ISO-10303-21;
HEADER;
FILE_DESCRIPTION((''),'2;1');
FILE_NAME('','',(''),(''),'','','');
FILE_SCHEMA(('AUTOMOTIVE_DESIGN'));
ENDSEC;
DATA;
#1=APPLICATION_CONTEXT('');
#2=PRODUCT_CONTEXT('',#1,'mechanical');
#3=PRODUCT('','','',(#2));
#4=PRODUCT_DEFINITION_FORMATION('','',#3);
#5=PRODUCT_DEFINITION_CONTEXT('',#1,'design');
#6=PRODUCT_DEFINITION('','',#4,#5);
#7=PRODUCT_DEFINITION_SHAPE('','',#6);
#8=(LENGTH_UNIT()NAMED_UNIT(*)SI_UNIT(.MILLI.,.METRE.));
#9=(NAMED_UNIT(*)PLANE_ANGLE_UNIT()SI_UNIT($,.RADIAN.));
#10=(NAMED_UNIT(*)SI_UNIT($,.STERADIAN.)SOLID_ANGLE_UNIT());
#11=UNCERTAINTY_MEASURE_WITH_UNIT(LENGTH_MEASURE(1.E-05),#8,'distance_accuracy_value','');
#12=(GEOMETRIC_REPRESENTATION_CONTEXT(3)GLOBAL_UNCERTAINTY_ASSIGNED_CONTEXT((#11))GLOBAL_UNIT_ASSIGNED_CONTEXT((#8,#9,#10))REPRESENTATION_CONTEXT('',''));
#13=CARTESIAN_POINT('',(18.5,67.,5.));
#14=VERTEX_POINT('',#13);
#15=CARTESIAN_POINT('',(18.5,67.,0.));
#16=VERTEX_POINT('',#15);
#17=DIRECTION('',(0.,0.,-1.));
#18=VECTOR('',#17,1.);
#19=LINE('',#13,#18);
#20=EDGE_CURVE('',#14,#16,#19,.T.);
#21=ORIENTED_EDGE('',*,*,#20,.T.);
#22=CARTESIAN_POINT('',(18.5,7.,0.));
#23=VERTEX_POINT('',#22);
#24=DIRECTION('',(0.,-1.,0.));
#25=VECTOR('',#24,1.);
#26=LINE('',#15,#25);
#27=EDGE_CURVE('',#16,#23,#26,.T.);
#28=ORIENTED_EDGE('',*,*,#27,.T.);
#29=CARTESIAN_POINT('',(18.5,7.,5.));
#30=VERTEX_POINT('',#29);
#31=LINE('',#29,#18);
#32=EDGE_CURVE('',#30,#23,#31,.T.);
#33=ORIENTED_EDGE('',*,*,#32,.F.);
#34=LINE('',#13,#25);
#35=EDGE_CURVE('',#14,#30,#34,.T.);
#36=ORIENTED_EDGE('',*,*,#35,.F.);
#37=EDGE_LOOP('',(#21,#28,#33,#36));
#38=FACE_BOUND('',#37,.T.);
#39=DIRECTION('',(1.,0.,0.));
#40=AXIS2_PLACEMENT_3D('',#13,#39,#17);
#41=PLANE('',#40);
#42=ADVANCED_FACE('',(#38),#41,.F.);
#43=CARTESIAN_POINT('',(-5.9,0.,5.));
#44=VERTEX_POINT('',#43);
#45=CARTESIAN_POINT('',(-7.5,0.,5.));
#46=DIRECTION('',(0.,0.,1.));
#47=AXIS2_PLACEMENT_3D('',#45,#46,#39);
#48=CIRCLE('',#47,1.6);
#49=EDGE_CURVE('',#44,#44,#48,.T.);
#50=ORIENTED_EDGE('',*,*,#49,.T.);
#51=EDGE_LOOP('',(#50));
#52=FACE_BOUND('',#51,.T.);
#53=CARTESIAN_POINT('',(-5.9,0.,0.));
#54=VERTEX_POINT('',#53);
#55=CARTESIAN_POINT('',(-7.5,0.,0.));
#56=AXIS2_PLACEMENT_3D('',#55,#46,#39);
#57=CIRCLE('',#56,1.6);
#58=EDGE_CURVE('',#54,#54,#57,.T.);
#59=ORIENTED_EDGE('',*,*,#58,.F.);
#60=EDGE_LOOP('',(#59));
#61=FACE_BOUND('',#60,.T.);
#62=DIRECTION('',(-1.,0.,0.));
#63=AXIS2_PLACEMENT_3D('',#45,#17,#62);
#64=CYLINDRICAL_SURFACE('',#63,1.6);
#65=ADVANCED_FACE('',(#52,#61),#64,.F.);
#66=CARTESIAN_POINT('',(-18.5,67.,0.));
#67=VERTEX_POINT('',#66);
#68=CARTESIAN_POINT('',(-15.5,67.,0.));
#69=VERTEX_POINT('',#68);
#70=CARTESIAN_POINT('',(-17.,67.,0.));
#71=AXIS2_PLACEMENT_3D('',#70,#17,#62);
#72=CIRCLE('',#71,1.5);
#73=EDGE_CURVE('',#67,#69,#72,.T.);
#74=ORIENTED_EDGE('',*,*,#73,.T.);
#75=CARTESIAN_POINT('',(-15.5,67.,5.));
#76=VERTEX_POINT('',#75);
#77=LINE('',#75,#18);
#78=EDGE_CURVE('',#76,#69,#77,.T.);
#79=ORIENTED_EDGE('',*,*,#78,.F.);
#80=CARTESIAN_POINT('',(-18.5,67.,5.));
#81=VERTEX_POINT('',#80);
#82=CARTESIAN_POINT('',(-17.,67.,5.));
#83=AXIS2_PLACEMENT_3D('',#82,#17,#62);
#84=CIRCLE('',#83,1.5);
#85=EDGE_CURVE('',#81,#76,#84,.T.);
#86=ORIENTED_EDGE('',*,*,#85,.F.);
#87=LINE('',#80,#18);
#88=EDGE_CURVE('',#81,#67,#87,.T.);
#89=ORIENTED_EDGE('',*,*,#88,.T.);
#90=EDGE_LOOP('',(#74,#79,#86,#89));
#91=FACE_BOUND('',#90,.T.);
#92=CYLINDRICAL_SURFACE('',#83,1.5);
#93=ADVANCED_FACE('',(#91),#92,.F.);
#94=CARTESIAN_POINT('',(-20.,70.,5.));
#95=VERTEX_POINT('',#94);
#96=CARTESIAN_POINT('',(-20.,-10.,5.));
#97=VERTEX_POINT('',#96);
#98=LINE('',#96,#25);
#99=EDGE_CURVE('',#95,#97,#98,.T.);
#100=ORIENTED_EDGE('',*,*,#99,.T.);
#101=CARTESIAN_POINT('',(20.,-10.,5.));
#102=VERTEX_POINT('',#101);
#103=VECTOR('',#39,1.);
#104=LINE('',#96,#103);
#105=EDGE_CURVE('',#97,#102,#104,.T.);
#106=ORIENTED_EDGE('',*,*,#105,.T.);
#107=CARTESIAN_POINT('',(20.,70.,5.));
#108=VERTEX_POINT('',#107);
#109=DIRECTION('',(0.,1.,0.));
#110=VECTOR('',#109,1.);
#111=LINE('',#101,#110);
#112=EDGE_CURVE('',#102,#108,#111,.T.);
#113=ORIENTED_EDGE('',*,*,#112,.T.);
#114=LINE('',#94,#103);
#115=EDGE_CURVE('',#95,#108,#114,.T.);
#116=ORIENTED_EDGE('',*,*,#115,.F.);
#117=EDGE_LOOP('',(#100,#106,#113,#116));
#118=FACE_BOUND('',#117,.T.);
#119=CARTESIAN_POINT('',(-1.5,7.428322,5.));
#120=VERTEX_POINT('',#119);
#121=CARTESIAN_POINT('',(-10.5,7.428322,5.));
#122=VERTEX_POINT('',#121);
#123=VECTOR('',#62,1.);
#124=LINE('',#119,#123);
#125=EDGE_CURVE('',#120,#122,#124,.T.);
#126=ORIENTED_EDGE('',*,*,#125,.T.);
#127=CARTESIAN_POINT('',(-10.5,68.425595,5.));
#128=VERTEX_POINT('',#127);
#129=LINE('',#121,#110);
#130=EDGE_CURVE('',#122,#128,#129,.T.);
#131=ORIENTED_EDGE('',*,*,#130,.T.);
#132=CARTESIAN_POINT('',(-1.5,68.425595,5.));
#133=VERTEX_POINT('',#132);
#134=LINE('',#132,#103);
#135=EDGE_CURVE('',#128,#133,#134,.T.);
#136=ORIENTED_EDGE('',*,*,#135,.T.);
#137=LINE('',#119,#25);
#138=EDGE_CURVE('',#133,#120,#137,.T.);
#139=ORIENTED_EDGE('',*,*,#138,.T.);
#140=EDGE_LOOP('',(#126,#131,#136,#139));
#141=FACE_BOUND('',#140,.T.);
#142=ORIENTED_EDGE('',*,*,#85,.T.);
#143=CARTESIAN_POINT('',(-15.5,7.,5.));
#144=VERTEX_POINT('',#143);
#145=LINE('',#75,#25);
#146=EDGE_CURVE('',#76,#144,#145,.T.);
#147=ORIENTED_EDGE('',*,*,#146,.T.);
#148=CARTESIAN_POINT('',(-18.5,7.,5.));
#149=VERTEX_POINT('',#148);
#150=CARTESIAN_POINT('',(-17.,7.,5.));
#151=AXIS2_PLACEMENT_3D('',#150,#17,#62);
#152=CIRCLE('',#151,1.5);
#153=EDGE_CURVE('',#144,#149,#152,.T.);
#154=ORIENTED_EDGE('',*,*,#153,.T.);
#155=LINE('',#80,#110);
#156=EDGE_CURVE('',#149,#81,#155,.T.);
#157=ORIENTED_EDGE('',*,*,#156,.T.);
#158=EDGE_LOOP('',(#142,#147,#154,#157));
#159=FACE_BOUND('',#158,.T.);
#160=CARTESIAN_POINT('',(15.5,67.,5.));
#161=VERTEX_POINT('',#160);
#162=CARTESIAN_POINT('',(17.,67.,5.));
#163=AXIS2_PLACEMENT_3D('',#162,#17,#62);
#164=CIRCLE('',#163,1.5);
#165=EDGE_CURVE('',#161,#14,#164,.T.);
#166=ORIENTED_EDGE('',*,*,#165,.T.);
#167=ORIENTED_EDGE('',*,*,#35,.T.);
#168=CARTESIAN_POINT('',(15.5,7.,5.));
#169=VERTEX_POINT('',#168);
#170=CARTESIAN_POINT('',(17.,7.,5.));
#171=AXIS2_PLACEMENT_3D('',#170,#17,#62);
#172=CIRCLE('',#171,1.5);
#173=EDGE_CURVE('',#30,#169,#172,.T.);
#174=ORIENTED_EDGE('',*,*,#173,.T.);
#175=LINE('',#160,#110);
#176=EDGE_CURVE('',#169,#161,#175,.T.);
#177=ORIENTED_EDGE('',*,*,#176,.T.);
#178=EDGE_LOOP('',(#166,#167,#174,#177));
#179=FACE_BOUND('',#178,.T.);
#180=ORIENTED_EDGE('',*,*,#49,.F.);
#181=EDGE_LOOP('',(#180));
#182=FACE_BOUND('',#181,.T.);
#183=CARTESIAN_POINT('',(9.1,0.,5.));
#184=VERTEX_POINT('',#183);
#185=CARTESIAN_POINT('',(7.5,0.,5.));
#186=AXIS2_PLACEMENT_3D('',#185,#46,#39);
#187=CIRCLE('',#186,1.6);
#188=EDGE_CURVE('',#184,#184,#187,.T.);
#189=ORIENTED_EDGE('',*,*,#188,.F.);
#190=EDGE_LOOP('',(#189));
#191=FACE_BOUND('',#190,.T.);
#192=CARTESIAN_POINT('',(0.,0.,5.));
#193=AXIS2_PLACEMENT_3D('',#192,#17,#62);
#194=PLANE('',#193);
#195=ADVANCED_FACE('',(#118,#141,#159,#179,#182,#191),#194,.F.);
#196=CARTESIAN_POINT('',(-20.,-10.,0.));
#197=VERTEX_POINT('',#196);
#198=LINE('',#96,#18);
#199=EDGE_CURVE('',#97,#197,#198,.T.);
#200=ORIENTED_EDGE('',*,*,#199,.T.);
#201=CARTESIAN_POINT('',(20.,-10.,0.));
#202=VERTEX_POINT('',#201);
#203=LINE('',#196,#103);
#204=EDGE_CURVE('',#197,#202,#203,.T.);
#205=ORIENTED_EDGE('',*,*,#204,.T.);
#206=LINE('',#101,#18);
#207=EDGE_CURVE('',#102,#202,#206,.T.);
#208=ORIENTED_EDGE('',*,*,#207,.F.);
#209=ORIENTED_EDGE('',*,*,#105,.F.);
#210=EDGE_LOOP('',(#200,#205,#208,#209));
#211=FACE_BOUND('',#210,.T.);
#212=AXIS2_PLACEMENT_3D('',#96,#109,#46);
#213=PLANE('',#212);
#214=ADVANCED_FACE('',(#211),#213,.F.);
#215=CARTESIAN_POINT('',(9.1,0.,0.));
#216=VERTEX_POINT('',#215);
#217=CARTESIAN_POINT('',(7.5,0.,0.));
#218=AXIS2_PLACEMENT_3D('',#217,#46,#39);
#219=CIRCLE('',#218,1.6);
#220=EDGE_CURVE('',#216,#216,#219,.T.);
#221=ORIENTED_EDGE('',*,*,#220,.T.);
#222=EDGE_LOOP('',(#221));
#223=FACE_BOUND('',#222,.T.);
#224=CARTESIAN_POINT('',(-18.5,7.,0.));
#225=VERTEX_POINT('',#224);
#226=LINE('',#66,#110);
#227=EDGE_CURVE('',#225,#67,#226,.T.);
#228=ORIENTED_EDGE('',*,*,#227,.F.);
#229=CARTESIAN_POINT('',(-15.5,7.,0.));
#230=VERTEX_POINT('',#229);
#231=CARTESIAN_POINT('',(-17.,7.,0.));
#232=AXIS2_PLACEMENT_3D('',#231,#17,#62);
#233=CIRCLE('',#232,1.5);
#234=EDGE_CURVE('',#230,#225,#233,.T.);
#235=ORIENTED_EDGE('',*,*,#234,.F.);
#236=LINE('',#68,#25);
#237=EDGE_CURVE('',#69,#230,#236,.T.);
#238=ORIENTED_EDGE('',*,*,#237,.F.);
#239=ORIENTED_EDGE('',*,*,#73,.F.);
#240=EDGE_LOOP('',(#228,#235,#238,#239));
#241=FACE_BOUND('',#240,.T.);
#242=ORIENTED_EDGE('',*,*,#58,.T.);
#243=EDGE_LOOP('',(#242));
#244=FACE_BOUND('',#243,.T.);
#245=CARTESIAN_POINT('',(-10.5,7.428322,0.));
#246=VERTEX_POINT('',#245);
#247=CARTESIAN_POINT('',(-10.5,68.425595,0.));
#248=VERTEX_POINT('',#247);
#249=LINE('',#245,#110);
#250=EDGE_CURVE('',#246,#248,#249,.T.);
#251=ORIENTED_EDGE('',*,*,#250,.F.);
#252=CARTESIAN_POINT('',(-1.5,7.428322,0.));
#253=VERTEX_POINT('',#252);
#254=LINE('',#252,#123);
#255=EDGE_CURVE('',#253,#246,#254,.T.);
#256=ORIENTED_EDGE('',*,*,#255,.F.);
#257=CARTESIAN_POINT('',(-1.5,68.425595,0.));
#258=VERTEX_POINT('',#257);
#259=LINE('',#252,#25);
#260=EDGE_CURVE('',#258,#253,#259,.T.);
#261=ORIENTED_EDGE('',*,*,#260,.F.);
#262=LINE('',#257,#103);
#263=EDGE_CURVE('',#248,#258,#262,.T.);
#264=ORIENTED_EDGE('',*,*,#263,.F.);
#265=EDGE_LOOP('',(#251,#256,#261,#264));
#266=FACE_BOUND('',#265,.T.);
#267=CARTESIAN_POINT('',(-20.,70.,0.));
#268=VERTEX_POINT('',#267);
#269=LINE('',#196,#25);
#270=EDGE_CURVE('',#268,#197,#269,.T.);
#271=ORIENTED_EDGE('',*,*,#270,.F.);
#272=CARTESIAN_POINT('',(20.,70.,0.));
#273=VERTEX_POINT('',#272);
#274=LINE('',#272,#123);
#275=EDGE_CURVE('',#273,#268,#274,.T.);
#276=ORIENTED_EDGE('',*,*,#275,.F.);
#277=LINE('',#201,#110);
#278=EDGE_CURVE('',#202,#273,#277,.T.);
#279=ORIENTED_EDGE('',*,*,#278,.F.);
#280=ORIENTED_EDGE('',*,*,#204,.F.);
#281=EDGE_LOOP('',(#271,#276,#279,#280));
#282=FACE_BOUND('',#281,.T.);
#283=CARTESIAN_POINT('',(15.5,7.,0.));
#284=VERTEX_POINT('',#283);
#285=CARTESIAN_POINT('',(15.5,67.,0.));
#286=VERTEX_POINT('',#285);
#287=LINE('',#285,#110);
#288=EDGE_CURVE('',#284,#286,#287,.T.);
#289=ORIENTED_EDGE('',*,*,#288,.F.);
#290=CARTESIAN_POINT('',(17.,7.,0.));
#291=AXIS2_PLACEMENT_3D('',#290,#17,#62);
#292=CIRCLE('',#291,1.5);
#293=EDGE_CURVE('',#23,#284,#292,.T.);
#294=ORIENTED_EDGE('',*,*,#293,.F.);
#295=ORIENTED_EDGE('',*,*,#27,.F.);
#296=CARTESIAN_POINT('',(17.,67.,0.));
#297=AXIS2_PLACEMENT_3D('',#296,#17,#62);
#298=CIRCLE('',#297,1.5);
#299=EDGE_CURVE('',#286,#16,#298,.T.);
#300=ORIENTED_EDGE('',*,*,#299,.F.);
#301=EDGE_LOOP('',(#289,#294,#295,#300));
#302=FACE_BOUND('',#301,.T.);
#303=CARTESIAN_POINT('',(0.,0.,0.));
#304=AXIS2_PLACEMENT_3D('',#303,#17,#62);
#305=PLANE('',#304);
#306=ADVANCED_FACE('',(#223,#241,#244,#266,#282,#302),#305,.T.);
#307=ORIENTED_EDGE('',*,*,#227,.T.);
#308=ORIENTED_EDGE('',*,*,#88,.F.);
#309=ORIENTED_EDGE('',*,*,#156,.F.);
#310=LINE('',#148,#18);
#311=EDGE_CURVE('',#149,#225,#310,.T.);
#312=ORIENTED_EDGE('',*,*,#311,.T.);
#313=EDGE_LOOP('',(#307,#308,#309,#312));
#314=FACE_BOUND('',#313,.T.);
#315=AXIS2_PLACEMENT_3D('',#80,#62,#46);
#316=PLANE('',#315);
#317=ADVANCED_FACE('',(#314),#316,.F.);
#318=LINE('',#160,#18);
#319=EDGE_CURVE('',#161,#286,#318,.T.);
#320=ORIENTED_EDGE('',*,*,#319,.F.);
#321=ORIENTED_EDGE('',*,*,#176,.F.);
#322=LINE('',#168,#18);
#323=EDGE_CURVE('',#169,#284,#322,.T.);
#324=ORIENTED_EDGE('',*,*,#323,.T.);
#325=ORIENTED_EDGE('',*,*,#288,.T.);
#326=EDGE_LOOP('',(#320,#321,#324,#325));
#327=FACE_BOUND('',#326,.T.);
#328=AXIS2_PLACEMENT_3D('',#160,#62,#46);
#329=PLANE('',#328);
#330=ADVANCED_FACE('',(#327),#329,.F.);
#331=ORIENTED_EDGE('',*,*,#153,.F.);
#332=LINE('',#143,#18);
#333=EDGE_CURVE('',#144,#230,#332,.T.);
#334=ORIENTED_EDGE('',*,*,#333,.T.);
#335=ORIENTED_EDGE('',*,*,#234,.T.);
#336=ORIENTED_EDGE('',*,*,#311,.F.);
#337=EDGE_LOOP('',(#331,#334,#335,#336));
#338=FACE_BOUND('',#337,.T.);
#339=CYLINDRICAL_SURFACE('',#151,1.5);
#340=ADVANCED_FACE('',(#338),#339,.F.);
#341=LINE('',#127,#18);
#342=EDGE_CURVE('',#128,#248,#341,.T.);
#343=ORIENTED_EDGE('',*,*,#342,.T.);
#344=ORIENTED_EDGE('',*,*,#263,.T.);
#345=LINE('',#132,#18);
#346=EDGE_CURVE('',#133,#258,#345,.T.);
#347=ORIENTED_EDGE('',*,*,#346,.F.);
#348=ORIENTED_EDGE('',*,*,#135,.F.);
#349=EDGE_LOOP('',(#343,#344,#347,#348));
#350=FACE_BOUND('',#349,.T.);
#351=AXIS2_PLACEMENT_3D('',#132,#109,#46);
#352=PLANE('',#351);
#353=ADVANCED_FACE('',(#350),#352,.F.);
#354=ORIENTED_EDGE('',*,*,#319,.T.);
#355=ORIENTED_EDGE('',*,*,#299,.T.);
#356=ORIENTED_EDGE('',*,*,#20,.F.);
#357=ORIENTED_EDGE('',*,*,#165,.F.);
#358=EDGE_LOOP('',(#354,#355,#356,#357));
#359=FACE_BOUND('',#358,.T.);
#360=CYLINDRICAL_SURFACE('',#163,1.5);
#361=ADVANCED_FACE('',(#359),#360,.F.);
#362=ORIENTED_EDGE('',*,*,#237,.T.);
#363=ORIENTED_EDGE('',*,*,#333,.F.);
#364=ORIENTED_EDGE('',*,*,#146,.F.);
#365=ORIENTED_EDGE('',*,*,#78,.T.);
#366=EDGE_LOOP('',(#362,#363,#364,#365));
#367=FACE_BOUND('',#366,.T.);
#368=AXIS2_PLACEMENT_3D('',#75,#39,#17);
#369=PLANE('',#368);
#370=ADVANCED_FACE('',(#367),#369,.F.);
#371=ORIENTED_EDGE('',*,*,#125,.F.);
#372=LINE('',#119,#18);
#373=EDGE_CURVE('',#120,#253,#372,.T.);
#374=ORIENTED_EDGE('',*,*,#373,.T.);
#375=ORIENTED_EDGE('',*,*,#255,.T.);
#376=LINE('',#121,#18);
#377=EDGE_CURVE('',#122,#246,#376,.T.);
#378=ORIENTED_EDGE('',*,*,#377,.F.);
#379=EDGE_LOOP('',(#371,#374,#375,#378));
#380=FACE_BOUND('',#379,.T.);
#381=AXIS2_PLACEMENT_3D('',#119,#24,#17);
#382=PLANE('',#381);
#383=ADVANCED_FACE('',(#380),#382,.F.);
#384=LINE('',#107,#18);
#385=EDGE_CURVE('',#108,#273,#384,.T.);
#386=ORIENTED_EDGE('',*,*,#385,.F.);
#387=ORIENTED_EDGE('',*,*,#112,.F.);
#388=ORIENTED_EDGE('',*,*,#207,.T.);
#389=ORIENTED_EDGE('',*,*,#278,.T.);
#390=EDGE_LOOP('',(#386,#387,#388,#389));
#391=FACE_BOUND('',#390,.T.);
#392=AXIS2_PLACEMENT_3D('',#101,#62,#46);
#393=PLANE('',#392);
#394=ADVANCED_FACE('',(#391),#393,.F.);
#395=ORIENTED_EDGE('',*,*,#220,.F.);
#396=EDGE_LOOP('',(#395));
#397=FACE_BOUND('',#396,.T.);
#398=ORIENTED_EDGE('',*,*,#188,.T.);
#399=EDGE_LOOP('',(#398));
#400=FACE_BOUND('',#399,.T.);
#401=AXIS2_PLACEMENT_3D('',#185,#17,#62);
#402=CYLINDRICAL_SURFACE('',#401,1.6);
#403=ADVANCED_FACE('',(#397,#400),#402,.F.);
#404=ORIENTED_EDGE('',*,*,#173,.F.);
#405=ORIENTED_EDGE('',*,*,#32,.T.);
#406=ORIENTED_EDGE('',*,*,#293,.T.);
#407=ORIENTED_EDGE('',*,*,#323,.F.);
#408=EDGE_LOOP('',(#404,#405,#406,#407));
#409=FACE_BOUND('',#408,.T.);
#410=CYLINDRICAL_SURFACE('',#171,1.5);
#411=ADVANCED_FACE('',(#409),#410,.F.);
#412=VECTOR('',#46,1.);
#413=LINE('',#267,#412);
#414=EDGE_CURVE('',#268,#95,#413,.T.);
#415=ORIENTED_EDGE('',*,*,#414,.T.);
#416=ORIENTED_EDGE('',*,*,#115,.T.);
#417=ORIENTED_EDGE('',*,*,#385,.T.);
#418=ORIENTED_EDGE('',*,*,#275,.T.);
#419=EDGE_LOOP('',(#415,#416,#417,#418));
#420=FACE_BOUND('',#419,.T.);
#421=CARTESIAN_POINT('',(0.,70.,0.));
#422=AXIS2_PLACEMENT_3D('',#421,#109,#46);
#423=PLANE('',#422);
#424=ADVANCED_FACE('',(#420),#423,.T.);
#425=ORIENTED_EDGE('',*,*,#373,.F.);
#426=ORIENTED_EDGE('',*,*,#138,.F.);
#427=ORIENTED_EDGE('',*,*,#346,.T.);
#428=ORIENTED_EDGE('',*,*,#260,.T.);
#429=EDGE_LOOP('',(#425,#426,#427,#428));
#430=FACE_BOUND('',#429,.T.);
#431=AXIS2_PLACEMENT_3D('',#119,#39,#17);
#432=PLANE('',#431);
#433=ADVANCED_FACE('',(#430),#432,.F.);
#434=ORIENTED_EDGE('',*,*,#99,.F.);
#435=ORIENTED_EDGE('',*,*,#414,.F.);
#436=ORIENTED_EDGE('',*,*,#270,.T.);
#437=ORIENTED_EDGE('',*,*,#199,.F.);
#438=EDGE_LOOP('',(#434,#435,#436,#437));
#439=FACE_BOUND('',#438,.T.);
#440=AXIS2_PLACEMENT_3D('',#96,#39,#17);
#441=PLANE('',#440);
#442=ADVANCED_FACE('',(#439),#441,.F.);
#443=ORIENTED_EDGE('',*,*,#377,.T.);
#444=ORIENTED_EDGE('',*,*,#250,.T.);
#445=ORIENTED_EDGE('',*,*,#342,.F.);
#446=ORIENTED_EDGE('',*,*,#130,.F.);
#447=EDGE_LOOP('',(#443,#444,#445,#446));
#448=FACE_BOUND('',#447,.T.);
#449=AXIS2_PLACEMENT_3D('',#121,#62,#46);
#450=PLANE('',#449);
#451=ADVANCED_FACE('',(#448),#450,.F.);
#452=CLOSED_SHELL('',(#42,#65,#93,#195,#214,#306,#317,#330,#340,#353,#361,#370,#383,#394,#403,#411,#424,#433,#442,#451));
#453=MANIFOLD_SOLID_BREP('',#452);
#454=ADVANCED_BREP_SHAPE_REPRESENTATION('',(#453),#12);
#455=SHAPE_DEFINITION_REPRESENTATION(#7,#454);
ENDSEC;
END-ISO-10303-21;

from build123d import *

# Parameters (mm, degrees)
SKETCH1_W           = 40
SKETCH1_H           = 20
SKETCH1_R           = 1.6
BOSS_EXTRUDE1_DEPTH = 5
SKETCH3_W           = 40
SKETCH3_H           = 5
BOSS_EXTRUDE3_DEPTH = 60
CUT_EXTRUDE1_DEPTH  = 73.972597597
SKETCH5_W           = 9
SKETCH5_H           = 60.997272609
CUT_EXTRUDE2_DEPTH  = 73.972597597


with BuildPart() as part:
    # Sketch1 → Boss-Extrude1 (new body)
    with BuildSketch(Plane.XY):
        Rectangle(SKETCH1_W, SKETCH1_H)
        with Locations((-7.5, 0)):
            Circle(SKETCH1_R, mode=Mode.SUBTRACT)
        with Locations((7.5, 0)):
            Circle(SKETCH1_R, mode=Mode.SUBTRACT)
    extrude(amount=BOSS_EXTRUDE1_DEPTH)

    # Sketch3 → Boss-Extrude3 (add)
    with BuildSketch(Plane(origin=(0, 10, 0), x_dir=(1, 0, 0), z_dir=(0, 1, 0))):
        with Locations((0, -2.5)):
            Rectangle(SKETCH3_W, SKETCH3_H)
    extrude(amount=BOSS_EXTRUDE3_DEPTH)

    # Sketch4 → Cut-Extrude1 (cut, through all)
    with BuildSketch(Plane(origin=(0, 0, 0), x_dir=(-1, 0, 0), z_dir=(0, 0, -1))):
        with BuildLine():
            Line((-15.5, 67), (-15.5, 7))
            ThreePointArc((-15.5, 7), (-17, 5.5), (-18.5, 7))
            Line((-18.5, 7), (-18.5, 67))
            ThreePointArc((-18.5, 67), (-17, 68.5), (-15.5, 67))
        make_face()
        with BuildLine():
            Line((18.5, 67), (18.5, 7))
            ThreePointArc((18.5, 7), (17, 5.5), (15.5, 7))
            Line((15.5, 7), (15.5, 67))
            ThreePointArc((15.5, 67), (17, 68.5), (18.5, 67))
        make_face()
    extrude(amount=-CUT_EXTRUDE1_DEPTH, mode=Mode.SUBTRACT)

    # Sketch5 → Cut-Extrude2 (cut, through all)
    with BuildSketch(Plane(origin=(0, 0, 0), x_dir=(-1, 0, 0), z_dir=(0, 0, -1))):
        with Locations((6, 37.926958335)):
            Rectangle(SKETCH5_W, SKETCH5_H)
    extrude(amount=-CUT_EXTRUDE2_DEPTH, mode=Mode.SUBTRACT)


solid = part.part
